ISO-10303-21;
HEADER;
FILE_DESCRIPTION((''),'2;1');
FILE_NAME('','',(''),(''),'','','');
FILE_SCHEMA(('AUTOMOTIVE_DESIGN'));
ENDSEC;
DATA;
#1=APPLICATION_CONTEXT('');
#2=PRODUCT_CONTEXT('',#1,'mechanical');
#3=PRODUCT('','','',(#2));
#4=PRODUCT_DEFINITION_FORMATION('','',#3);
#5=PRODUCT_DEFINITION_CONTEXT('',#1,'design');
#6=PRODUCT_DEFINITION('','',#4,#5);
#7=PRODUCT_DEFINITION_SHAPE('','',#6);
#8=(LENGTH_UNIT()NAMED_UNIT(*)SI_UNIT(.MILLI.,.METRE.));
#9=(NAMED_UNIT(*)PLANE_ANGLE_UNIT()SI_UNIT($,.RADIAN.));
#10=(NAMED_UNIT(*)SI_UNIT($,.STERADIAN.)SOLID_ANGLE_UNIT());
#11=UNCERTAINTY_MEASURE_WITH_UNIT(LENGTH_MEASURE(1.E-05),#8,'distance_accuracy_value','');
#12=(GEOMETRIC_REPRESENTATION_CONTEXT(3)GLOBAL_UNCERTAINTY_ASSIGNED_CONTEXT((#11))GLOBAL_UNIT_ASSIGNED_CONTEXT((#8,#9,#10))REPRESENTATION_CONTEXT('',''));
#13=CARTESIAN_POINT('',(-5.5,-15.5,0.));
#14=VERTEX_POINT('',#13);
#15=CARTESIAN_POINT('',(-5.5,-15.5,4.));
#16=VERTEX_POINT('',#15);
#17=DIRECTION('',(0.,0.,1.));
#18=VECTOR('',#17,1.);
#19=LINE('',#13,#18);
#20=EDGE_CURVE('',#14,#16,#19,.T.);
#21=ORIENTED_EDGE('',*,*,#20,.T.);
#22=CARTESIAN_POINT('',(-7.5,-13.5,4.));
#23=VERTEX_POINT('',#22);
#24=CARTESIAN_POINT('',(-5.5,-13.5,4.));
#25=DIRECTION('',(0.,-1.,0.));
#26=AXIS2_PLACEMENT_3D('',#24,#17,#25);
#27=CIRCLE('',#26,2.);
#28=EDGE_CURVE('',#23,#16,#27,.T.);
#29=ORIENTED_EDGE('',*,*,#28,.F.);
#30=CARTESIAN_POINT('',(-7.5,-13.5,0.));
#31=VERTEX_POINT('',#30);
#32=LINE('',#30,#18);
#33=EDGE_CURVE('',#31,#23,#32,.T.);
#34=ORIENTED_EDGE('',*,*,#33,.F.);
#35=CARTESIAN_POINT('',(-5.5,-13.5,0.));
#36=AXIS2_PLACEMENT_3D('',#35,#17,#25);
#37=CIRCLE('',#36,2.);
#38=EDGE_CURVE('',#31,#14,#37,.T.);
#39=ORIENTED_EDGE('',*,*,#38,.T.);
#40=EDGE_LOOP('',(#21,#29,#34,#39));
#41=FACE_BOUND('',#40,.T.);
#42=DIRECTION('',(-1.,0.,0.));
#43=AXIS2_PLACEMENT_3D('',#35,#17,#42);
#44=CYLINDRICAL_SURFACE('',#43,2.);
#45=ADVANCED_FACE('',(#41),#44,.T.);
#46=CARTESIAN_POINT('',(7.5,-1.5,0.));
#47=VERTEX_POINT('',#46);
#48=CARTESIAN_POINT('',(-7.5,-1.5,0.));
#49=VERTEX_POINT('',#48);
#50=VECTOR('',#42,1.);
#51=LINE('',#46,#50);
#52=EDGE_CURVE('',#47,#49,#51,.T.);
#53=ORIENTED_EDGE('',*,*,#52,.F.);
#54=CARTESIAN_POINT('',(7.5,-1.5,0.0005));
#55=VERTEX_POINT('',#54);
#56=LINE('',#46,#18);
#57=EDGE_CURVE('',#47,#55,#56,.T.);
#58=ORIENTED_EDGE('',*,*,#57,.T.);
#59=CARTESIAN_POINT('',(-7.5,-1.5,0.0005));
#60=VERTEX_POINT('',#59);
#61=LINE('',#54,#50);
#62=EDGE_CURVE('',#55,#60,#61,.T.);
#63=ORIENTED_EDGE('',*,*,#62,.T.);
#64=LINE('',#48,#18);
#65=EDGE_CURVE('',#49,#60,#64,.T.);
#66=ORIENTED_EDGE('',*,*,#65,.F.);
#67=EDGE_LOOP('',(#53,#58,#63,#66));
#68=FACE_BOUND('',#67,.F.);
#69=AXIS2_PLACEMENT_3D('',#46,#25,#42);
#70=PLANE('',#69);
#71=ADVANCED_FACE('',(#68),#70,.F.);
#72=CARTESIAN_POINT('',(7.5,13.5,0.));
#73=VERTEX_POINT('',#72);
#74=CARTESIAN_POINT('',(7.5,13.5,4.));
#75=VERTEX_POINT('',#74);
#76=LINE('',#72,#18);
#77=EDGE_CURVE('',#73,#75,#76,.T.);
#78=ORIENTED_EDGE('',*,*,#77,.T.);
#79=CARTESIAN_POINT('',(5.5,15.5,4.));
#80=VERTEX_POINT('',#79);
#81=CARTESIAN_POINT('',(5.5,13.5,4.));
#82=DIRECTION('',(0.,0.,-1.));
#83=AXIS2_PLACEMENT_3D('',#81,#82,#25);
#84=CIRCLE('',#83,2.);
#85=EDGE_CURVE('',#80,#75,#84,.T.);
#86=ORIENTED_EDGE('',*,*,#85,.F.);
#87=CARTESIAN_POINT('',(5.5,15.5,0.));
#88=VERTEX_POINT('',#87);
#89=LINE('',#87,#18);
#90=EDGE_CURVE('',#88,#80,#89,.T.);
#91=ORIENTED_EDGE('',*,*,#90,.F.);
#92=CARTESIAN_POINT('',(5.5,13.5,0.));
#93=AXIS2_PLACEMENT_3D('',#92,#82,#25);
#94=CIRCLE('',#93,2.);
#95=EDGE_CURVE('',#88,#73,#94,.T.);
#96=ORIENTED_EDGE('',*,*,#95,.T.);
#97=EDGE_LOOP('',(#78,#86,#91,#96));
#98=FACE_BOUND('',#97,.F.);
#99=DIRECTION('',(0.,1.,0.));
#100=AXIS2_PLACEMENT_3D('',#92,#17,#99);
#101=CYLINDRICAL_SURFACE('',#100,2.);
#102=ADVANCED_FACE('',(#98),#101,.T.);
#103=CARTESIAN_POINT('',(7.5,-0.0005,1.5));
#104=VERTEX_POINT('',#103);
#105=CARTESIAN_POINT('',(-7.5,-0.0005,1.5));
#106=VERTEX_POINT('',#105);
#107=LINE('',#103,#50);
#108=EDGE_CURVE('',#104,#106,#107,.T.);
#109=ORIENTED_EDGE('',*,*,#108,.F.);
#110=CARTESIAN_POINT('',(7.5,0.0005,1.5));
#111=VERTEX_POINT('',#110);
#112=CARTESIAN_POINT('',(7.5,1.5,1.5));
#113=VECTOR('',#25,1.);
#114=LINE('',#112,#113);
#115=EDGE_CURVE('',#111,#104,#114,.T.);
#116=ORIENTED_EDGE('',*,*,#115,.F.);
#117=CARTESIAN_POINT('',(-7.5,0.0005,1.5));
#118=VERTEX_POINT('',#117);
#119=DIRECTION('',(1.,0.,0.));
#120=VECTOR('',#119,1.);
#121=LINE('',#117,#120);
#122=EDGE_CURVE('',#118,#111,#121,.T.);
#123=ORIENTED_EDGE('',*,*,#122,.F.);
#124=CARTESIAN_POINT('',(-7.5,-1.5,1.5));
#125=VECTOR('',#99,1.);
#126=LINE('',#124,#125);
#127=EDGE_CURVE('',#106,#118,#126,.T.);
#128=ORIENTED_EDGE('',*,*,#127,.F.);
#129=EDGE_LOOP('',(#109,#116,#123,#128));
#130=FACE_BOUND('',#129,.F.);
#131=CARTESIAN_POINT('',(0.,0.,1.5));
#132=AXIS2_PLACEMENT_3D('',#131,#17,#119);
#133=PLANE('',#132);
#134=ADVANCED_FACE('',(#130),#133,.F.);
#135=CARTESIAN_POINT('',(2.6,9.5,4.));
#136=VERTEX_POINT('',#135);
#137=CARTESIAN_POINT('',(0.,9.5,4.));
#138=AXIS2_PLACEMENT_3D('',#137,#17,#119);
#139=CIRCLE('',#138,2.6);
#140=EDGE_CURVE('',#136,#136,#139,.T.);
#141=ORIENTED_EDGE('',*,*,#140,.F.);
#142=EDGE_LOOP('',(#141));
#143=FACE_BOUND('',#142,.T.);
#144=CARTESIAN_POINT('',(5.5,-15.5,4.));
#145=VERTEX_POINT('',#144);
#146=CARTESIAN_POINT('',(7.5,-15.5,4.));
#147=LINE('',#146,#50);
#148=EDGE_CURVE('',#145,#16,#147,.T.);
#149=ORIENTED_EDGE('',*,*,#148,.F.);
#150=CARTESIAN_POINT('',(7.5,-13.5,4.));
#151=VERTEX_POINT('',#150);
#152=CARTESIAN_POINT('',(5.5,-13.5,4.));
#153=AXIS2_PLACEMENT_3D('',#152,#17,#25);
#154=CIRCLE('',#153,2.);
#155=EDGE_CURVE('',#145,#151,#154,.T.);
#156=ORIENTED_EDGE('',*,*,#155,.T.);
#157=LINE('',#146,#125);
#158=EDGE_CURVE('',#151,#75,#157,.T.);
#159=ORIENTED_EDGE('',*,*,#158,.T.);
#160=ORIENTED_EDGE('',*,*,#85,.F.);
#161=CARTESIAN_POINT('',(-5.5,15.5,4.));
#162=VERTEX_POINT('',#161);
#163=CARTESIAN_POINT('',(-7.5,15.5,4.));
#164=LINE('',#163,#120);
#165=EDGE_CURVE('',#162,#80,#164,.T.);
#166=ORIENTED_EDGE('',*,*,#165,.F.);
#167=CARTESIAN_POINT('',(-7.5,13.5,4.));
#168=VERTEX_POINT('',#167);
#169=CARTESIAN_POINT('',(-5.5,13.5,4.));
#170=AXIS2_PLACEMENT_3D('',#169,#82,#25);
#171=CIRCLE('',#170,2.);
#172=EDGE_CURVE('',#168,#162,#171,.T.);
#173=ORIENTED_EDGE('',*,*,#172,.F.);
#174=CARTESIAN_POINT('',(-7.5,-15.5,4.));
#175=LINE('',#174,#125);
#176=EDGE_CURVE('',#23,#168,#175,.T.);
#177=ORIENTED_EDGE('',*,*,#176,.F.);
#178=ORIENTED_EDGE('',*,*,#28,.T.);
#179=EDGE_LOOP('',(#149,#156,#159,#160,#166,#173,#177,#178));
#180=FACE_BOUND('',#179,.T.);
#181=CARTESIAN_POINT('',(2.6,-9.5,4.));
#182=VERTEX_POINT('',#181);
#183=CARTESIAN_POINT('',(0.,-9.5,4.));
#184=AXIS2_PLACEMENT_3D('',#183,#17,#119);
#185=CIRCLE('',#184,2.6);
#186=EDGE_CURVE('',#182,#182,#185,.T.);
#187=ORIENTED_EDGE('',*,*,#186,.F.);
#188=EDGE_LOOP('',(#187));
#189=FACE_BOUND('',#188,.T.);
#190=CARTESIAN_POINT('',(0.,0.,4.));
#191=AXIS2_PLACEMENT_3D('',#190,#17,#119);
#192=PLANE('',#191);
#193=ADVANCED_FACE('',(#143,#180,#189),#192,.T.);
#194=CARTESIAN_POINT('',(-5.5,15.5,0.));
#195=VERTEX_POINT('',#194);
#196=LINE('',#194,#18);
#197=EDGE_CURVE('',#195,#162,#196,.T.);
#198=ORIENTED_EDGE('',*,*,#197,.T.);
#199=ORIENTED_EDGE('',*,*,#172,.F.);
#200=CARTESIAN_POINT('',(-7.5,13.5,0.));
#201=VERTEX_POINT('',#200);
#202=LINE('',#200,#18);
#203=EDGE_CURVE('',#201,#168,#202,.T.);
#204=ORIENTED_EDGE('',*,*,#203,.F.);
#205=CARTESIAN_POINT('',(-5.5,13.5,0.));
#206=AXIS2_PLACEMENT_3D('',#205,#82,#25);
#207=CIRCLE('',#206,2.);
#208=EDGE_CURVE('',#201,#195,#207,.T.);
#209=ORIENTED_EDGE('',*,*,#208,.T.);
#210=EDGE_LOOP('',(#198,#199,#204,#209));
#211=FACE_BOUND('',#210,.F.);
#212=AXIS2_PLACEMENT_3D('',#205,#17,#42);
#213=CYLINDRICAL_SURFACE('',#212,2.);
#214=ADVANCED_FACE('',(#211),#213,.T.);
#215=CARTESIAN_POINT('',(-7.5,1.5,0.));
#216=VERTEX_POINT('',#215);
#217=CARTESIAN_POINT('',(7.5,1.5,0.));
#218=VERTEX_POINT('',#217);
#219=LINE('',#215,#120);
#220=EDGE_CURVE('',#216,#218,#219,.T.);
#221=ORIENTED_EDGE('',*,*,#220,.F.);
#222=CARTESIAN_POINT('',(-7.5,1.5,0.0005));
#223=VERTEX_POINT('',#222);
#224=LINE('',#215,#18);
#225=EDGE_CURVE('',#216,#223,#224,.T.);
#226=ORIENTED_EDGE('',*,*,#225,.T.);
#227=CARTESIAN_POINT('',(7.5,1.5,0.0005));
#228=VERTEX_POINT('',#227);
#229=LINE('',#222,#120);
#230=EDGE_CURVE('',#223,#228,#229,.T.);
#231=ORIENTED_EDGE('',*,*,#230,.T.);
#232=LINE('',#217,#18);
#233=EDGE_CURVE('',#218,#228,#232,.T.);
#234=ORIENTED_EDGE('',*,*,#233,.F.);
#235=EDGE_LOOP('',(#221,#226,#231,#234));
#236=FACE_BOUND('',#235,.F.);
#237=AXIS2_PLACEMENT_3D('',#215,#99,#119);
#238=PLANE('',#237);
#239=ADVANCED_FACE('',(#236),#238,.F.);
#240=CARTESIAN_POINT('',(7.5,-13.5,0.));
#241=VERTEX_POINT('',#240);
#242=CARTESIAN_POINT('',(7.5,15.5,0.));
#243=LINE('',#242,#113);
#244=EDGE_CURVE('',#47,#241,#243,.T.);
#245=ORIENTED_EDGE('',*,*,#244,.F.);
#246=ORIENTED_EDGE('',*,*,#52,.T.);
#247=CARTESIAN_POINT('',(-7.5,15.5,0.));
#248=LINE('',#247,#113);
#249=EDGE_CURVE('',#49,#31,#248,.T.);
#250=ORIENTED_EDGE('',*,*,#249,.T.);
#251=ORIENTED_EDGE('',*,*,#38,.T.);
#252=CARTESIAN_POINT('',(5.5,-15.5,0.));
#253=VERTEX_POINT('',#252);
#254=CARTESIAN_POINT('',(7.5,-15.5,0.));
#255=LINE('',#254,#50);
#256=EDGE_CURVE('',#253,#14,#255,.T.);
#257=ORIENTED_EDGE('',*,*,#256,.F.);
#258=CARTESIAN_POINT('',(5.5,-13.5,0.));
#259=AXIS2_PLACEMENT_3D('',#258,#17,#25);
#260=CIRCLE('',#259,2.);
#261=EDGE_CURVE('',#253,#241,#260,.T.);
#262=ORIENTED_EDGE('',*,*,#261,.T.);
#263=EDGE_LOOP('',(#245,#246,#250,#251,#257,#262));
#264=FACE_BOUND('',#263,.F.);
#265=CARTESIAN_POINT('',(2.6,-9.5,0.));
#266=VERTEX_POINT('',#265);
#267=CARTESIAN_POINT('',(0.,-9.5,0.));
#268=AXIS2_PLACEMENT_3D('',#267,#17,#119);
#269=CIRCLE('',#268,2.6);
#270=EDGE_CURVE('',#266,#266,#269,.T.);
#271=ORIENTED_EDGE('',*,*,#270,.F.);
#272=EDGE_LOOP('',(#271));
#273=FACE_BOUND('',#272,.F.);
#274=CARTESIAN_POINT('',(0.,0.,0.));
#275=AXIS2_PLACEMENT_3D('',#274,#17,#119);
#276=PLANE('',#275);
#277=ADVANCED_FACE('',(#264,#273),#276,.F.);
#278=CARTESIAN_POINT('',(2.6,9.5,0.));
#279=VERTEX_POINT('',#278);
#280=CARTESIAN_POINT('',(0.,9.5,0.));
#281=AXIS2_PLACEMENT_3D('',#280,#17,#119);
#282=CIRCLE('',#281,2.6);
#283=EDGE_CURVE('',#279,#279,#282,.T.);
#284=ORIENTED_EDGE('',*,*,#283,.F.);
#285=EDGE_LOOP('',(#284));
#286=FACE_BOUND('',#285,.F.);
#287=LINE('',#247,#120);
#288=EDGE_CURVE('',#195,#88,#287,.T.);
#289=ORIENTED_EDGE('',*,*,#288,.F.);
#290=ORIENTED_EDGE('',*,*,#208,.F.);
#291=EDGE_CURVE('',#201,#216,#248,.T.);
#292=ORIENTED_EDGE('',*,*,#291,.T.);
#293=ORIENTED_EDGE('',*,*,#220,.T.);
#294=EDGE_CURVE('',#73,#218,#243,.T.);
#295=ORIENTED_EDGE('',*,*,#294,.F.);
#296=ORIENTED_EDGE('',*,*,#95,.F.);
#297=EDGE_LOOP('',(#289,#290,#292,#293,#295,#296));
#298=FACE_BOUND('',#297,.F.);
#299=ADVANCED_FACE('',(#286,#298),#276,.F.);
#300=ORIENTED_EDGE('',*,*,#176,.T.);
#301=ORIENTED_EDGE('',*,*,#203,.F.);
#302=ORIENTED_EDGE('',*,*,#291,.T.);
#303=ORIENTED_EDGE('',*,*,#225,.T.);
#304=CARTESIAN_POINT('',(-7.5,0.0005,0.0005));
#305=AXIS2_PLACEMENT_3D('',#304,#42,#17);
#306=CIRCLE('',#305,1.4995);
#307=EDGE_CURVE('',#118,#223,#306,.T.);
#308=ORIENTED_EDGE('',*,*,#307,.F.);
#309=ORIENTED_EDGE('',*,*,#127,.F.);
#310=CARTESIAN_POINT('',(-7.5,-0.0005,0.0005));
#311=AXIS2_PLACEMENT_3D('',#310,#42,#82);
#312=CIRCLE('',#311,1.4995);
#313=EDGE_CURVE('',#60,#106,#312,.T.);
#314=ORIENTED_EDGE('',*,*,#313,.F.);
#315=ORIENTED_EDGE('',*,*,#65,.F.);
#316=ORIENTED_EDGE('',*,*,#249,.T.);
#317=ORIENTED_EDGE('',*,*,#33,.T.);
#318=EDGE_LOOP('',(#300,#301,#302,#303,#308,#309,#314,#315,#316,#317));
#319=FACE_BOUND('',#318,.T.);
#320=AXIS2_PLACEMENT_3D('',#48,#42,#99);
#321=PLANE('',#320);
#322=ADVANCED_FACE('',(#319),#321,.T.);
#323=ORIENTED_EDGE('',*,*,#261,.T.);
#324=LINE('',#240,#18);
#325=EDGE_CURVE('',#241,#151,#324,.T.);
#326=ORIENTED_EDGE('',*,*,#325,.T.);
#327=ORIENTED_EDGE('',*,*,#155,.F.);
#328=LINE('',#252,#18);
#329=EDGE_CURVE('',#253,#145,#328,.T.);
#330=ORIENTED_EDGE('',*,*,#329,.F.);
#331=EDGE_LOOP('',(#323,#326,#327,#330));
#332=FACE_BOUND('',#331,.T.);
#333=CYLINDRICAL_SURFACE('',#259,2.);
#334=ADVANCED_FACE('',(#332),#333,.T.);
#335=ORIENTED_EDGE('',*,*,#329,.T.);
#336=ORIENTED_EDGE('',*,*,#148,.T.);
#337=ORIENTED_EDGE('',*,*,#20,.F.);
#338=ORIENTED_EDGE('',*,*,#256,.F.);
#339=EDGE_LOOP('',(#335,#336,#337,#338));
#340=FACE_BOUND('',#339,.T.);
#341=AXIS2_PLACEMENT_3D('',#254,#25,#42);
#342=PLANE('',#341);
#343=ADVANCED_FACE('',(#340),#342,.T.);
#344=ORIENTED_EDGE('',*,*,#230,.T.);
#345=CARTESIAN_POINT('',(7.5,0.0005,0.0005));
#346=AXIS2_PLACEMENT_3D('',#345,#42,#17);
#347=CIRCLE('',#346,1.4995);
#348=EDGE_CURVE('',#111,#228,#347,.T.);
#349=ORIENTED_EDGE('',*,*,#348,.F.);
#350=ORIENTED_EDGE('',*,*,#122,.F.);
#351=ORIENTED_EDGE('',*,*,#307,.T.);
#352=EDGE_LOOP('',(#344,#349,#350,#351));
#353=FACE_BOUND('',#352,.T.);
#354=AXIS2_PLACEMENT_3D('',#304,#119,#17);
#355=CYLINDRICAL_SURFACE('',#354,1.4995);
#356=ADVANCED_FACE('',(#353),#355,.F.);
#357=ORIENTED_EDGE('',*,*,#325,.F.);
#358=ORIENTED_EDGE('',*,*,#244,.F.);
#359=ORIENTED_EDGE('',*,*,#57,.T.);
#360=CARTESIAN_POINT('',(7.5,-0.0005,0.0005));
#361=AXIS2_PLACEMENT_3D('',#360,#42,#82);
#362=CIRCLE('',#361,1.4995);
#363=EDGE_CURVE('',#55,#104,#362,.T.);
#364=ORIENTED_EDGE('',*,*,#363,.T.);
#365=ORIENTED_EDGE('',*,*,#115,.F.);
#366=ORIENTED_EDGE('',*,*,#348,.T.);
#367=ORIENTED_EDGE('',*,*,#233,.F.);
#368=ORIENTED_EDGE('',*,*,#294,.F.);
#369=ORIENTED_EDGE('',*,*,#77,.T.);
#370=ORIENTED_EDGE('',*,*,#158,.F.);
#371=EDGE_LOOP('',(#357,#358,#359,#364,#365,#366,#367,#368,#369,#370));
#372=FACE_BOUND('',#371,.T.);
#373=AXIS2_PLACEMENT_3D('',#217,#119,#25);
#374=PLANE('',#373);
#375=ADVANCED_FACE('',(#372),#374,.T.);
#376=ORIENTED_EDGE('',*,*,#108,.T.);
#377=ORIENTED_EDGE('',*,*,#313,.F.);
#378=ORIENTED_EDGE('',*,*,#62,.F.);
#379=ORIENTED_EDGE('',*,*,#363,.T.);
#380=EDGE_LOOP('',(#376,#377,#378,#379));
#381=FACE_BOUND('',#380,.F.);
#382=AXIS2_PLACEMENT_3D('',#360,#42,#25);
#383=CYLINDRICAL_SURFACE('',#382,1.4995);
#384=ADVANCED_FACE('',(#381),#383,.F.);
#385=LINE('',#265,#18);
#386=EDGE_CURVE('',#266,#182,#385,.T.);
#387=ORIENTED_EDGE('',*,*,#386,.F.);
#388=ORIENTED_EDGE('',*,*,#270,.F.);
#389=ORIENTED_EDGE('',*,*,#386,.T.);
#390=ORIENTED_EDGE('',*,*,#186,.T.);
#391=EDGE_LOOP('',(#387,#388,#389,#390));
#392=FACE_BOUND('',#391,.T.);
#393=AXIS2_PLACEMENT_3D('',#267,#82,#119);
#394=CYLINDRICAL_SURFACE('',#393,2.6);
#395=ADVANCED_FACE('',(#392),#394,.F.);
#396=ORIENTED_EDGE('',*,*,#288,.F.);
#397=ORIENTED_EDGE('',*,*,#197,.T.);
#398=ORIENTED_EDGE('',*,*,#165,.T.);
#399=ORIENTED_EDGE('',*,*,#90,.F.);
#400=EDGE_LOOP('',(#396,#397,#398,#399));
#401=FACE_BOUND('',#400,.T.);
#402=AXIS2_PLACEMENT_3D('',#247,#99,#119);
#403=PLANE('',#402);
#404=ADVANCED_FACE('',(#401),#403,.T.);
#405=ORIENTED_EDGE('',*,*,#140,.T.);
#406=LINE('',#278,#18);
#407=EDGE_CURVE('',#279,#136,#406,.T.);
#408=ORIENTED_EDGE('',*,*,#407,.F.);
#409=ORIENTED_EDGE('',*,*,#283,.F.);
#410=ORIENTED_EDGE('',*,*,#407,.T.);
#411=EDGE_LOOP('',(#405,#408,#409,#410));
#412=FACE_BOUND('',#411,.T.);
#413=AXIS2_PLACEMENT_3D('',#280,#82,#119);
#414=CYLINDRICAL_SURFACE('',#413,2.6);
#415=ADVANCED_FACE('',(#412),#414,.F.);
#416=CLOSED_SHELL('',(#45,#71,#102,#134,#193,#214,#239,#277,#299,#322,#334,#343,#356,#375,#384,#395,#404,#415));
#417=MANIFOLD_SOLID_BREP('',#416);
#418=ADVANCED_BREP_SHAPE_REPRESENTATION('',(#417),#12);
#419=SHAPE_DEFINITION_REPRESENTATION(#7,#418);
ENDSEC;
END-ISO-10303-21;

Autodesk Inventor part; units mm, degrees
ref_plane "YZ Plane" through (0, 0, 0) normal (1, 0, 0) x (0, 1, 0)
ref_plane "XZ Plane" through (0, 0, 0) normal (0, 1, 0) x (-1, 0, 0)
ref_plane "XY Plane" through (0, 0, 0) normal (0, 0, 1) x (1, 0, 0)
ref_plane "Plano de trabalho1" through (0, 0, 0) normal (0, 0, 1) x (1, 0, 0)
sketch "Esboço1" plane through (0, 0, 0) normal (0, 0, 1) x (1, 0, 0)
  circle A0 centre (0, 9.5) radius 2.6
  line L0 (-7.5, -1.5) -> (-7.5, 1.5)
  line L1 (7.5, -1.5) -> (-7.5, -1.5)
  line L2 (7.5, 1.5) -> (7.5, -1.5)
  line L3 (-7.5, 1.5) -> (7.5, 1.5)
  circle A1 centre (0, -9.5) radius 2.6
  line L4 (-7.5, 1.5) -> (7.5, 1.5)
  line L5 (7.5, 1.5) -> (7.5, 15.5)
  line L6 (-7.5, 15.5) -> (-7.5, 1.5)
  circle A2 centre (0, 9.5) radius 2.1
  line L7 (7.5, -1.5) -> (-7.5, -1.5)
  line L8 (-7.5, -1.5) -> (-7.5, -15.5)
  line L9 (7.5, -15.5) -> (7.5, -1.5)
  circle A3 centre (0, -9.5) radius 2.1
  line L10 (-7.5, 15.5) -> (7.5, 15.5)
  line L11 (7.5, 15.5) -> (7.5, -15.5)
  line L12 (7.5, -15.5) -> (-7.5, -15.5)
  line L13 (-7.5, -15.5) -> (-7.5, 15.5)
  point P0 (0, 0)
  dimension "d0" = 14
  dimension "d1" = 14
  dimension "d7" = 5.2
  dimension "d8" = 5.2
extrude "Extrusão1" add sketch "Esboço1" along normal blind 4 contours L0 L3 L2 L1 | L1 L9 L12 L8 | L6 L10 L5 L3
extrude "Extrusão2" cut sketch "Esboço1" along normal blind 1.5 contours L0 L3 L2 L1
fillet "Arredondamento1" radius 2 4 edges at (-7.5, 15.5, 2) (7.5, 15.5, 2) (-7.5, -15.5, 2) (7.5, -15.5, 2)
fillet "Arredondamento2" radius 1.5 2 edges at (0, -1.5, 1.5) (0, 1.5, 1.5)
equation "\"d1\" = d0"
equation "\"d8\" = d7"
properties part number "tampa_suporte_termopar"
